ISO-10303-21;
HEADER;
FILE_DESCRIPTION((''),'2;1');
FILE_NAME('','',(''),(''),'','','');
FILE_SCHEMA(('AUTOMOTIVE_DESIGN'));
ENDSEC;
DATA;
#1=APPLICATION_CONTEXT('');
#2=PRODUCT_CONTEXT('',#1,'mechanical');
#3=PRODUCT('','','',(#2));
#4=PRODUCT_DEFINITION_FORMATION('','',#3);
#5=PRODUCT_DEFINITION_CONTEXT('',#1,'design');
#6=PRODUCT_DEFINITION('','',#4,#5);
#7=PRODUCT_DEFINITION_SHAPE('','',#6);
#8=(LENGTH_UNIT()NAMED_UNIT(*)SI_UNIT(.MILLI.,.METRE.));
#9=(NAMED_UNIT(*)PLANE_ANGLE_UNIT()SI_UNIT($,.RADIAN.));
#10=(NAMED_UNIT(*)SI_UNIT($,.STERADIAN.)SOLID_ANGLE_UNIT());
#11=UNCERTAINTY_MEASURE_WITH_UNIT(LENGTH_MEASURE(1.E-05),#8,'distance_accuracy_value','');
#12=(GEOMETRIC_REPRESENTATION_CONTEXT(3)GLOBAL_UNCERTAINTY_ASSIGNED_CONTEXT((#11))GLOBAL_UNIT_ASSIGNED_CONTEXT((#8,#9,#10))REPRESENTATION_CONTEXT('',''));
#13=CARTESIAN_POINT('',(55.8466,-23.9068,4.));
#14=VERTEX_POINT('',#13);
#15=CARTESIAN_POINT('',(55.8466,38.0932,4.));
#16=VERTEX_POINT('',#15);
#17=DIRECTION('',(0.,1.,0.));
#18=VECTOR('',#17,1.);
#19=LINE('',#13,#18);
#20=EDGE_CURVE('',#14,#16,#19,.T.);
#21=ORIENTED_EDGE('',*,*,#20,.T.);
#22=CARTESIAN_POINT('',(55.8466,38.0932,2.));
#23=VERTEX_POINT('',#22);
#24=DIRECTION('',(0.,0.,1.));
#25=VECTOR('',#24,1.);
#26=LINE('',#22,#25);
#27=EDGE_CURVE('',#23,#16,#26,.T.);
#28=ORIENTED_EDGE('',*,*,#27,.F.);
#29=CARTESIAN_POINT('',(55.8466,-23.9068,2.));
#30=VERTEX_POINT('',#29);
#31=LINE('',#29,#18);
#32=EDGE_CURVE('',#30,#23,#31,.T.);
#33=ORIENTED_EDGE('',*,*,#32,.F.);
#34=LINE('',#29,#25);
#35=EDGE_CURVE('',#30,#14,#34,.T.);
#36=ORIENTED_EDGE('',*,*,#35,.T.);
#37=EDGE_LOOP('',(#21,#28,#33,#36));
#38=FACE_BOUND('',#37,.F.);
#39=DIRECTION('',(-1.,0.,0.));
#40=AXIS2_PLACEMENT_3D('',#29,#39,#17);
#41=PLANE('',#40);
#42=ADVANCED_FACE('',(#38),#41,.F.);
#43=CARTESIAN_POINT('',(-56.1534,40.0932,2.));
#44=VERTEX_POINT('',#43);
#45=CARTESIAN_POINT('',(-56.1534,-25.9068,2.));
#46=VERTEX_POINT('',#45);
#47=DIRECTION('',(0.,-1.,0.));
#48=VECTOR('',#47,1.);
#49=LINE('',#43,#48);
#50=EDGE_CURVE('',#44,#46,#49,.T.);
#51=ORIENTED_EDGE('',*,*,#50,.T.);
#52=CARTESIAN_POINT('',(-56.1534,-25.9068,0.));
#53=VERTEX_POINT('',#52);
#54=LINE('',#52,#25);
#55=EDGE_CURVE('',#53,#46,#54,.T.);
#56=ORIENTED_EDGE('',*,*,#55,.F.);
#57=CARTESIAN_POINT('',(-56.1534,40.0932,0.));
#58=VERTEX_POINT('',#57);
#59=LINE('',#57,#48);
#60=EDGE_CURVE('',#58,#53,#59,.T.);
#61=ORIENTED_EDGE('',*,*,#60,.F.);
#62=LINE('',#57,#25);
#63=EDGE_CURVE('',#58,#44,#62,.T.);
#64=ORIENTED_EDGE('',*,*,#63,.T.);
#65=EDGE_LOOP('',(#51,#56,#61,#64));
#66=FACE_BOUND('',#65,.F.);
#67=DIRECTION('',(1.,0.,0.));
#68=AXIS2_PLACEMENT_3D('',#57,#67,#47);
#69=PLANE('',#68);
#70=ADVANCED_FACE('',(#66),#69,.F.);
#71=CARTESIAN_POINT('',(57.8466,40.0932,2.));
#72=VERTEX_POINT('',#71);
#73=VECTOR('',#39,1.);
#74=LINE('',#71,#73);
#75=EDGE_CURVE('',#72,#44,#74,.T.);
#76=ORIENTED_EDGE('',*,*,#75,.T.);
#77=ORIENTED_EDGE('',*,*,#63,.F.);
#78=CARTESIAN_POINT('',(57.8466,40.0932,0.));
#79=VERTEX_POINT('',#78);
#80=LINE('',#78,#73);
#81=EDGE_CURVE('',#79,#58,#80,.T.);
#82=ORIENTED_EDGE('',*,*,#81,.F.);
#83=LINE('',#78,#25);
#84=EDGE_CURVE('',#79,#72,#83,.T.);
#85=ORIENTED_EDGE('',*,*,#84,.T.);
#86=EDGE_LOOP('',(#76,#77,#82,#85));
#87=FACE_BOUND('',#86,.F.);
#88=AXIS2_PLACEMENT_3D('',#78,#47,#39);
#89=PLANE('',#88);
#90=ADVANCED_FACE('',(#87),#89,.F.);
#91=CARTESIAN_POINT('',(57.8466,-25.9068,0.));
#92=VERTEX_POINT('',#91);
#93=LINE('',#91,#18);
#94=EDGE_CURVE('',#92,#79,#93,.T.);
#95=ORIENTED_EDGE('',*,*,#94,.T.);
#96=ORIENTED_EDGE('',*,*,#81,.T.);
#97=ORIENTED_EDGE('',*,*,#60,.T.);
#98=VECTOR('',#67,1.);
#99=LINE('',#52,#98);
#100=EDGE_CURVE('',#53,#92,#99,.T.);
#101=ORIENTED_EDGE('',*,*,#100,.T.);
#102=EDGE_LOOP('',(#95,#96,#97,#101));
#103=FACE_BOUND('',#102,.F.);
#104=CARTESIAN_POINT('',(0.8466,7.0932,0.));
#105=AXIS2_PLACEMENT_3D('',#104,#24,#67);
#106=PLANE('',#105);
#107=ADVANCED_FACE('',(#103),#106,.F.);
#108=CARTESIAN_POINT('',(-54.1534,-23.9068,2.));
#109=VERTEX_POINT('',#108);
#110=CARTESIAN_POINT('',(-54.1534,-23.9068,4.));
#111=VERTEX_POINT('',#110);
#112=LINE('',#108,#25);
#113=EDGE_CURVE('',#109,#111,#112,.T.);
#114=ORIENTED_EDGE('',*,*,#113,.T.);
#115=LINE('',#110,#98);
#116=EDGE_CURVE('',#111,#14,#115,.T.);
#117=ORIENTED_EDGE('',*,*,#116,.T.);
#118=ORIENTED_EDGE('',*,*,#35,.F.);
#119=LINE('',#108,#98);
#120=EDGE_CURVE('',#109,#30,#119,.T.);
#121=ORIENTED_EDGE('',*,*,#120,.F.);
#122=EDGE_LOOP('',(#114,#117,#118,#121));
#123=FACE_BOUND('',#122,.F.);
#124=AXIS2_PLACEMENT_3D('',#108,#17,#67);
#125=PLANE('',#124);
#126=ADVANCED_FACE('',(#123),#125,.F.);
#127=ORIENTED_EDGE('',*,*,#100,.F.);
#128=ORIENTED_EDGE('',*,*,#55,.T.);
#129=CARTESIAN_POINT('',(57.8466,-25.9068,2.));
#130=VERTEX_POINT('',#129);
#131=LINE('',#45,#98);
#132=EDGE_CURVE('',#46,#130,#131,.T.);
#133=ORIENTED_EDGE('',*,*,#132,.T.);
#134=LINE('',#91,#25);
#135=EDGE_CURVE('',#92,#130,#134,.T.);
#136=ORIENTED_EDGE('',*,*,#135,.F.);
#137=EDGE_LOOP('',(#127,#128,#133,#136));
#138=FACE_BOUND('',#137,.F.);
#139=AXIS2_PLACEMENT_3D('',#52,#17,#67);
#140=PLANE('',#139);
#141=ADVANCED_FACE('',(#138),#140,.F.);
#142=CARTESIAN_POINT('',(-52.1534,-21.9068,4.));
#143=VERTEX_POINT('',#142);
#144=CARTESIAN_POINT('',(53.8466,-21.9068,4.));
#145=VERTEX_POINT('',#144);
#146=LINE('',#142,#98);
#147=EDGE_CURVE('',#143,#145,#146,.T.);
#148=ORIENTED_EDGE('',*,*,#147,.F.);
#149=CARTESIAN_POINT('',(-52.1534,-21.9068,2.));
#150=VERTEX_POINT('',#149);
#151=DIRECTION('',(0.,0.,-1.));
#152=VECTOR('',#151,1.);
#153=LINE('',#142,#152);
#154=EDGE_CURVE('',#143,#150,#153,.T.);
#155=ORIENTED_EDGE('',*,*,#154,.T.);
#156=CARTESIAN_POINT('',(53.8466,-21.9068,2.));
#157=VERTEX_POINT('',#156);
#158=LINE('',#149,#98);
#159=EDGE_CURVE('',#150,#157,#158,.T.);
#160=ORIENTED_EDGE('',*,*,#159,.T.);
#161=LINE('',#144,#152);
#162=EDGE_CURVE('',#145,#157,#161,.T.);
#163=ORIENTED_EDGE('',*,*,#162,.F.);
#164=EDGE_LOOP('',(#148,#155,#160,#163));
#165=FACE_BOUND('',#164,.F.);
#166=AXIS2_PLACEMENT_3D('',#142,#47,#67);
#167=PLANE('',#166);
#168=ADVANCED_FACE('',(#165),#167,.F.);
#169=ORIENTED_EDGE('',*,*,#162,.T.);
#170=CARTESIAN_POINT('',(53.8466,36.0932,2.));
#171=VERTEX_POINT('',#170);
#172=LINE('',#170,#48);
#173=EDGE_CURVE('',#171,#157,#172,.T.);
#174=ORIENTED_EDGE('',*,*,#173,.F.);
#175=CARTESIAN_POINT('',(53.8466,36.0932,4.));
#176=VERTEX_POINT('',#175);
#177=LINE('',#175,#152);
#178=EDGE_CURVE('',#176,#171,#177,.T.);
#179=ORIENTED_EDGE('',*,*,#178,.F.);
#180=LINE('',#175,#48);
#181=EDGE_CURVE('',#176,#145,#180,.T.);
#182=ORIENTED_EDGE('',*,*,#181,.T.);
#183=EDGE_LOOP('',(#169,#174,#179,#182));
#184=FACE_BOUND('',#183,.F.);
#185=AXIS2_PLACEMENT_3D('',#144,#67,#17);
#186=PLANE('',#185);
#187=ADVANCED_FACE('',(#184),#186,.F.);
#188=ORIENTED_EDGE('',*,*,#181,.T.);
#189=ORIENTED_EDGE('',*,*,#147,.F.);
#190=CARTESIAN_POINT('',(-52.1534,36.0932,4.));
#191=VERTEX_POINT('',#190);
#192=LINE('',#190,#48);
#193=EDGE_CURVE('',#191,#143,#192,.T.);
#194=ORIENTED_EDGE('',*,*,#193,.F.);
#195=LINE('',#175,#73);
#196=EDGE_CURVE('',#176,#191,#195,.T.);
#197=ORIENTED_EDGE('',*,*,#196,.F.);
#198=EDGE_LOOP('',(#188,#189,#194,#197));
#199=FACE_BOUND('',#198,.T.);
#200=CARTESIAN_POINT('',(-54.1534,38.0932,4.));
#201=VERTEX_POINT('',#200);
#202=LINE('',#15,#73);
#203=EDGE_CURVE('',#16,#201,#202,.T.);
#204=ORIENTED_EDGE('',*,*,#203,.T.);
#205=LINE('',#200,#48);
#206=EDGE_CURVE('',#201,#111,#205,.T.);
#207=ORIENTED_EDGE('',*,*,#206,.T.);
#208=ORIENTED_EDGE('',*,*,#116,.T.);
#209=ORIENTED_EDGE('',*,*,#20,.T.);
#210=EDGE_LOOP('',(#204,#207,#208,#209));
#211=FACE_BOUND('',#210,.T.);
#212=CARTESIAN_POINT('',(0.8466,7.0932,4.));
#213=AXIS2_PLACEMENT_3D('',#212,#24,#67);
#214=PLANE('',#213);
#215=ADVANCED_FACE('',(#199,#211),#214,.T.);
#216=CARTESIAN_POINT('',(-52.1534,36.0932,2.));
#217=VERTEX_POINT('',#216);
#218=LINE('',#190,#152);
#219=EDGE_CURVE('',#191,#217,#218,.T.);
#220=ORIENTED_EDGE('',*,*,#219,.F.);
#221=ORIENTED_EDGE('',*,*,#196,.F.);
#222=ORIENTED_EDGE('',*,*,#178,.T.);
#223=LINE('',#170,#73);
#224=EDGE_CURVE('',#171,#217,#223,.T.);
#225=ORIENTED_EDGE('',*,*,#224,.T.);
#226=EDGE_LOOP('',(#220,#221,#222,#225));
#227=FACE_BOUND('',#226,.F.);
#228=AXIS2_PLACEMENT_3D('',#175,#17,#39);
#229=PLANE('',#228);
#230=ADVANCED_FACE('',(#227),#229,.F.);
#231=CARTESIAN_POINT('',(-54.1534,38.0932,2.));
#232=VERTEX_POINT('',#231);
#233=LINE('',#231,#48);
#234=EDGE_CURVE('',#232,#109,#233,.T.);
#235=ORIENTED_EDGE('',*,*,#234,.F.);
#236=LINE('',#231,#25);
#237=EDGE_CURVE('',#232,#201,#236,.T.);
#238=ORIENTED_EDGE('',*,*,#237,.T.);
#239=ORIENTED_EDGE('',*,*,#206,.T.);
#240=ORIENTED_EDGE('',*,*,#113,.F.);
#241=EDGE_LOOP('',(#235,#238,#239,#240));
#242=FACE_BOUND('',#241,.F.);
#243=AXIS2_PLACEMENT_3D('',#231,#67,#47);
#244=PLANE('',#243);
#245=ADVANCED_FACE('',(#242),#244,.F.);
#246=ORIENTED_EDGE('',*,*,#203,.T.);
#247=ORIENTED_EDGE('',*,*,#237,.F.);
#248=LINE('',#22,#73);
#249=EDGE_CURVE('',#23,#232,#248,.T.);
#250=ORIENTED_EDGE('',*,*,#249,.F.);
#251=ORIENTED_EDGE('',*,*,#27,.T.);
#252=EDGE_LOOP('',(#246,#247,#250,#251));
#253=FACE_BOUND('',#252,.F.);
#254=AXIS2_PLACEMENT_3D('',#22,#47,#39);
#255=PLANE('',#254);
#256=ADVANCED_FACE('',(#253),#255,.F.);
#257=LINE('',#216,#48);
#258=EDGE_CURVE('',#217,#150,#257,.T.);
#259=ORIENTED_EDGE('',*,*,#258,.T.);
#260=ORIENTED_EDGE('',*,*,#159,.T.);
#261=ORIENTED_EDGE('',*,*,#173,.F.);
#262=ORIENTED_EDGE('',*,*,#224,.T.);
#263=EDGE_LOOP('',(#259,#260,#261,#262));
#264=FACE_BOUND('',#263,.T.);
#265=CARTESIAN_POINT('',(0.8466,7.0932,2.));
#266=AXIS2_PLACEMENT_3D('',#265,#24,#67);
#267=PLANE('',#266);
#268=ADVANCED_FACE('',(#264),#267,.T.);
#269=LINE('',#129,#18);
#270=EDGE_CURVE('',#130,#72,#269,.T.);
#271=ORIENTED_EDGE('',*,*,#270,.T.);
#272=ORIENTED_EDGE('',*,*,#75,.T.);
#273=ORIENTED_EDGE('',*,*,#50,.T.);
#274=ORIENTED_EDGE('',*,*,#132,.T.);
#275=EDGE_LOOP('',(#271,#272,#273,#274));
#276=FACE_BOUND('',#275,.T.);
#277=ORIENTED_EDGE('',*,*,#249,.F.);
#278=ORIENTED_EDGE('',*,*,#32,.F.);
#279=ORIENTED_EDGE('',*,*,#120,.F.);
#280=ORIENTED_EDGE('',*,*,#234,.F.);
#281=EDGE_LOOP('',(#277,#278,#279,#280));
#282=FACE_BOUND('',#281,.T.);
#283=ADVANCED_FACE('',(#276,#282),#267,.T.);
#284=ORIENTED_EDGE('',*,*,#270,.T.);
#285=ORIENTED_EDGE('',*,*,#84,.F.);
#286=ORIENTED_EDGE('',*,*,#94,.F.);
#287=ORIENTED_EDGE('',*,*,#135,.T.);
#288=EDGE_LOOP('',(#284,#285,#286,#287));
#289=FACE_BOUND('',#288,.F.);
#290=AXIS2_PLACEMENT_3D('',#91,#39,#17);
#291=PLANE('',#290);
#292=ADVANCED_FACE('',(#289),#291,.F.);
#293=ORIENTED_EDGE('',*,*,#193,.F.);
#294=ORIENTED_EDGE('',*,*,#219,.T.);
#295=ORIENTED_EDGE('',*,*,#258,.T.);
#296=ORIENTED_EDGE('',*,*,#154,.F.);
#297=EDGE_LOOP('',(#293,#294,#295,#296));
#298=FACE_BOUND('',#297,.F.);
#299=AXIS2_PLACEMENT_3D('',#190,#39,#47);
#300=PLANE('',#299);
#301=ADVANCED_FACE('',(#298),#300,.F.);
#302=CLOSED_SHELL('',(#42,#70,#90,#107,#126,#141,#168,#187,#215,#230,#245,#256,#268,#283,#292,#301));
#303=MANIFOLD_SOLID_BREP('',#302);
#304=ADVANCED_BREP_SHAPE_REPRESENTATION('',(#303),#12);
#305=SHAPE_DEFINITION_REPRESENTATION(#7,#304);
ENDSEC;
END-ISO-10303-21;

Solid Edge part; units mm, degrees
sketch "Sketch1" plane through (0, 0, 0) normal (0, 0, 1) x (1, 0, 0)
  line L0 (-56.1534, -25.9068) -> (57.8466, -25.9068)
  line L1 (57.8466, -25.9068) -> (57.8466, 40.0932)
  line L2 (57.8466, 40.0932) -> (-56.1534, 40.0932)
  line L3 (-56.1534, 40.0932) -> (-56.1534, -25.9068)
extrude "Protrusion1" add sketch "Sketch1" along normal blind 2
sketch "Sketch2" plane through (0.8466, 7.0932, 2) normal (0, 0, 1) x (1, 0, 0)
  line L0 (-55, 31) -> (-55, -31)
  line L1 (-55, -31) -> (55, -31)
  line L2 (55, -31) -> (55, 31)
  line L3 (55, 31) -> (-55, 31)
extrude "ExtrudedProtrusion_2" add sketch "Sketch2" along normal blind 2
sketch "Sketch3" plane through (0.8466, 7.0932, 4) normal (0, 0, 1) x (1, 0, 0)
  line L0 (-53, 29) -> (-53, -29)
  line L1 (-53, -29) -> (53, -29)
  line L2 (53, -29) -> (53, 27)
  line L3 (53, 27) -> (53, 29)
  line L4 (53, 29) -> (-53, 29)
extrude "ExtrudedCutout_1" cut sketch "Sketch3" against normal blind 2
